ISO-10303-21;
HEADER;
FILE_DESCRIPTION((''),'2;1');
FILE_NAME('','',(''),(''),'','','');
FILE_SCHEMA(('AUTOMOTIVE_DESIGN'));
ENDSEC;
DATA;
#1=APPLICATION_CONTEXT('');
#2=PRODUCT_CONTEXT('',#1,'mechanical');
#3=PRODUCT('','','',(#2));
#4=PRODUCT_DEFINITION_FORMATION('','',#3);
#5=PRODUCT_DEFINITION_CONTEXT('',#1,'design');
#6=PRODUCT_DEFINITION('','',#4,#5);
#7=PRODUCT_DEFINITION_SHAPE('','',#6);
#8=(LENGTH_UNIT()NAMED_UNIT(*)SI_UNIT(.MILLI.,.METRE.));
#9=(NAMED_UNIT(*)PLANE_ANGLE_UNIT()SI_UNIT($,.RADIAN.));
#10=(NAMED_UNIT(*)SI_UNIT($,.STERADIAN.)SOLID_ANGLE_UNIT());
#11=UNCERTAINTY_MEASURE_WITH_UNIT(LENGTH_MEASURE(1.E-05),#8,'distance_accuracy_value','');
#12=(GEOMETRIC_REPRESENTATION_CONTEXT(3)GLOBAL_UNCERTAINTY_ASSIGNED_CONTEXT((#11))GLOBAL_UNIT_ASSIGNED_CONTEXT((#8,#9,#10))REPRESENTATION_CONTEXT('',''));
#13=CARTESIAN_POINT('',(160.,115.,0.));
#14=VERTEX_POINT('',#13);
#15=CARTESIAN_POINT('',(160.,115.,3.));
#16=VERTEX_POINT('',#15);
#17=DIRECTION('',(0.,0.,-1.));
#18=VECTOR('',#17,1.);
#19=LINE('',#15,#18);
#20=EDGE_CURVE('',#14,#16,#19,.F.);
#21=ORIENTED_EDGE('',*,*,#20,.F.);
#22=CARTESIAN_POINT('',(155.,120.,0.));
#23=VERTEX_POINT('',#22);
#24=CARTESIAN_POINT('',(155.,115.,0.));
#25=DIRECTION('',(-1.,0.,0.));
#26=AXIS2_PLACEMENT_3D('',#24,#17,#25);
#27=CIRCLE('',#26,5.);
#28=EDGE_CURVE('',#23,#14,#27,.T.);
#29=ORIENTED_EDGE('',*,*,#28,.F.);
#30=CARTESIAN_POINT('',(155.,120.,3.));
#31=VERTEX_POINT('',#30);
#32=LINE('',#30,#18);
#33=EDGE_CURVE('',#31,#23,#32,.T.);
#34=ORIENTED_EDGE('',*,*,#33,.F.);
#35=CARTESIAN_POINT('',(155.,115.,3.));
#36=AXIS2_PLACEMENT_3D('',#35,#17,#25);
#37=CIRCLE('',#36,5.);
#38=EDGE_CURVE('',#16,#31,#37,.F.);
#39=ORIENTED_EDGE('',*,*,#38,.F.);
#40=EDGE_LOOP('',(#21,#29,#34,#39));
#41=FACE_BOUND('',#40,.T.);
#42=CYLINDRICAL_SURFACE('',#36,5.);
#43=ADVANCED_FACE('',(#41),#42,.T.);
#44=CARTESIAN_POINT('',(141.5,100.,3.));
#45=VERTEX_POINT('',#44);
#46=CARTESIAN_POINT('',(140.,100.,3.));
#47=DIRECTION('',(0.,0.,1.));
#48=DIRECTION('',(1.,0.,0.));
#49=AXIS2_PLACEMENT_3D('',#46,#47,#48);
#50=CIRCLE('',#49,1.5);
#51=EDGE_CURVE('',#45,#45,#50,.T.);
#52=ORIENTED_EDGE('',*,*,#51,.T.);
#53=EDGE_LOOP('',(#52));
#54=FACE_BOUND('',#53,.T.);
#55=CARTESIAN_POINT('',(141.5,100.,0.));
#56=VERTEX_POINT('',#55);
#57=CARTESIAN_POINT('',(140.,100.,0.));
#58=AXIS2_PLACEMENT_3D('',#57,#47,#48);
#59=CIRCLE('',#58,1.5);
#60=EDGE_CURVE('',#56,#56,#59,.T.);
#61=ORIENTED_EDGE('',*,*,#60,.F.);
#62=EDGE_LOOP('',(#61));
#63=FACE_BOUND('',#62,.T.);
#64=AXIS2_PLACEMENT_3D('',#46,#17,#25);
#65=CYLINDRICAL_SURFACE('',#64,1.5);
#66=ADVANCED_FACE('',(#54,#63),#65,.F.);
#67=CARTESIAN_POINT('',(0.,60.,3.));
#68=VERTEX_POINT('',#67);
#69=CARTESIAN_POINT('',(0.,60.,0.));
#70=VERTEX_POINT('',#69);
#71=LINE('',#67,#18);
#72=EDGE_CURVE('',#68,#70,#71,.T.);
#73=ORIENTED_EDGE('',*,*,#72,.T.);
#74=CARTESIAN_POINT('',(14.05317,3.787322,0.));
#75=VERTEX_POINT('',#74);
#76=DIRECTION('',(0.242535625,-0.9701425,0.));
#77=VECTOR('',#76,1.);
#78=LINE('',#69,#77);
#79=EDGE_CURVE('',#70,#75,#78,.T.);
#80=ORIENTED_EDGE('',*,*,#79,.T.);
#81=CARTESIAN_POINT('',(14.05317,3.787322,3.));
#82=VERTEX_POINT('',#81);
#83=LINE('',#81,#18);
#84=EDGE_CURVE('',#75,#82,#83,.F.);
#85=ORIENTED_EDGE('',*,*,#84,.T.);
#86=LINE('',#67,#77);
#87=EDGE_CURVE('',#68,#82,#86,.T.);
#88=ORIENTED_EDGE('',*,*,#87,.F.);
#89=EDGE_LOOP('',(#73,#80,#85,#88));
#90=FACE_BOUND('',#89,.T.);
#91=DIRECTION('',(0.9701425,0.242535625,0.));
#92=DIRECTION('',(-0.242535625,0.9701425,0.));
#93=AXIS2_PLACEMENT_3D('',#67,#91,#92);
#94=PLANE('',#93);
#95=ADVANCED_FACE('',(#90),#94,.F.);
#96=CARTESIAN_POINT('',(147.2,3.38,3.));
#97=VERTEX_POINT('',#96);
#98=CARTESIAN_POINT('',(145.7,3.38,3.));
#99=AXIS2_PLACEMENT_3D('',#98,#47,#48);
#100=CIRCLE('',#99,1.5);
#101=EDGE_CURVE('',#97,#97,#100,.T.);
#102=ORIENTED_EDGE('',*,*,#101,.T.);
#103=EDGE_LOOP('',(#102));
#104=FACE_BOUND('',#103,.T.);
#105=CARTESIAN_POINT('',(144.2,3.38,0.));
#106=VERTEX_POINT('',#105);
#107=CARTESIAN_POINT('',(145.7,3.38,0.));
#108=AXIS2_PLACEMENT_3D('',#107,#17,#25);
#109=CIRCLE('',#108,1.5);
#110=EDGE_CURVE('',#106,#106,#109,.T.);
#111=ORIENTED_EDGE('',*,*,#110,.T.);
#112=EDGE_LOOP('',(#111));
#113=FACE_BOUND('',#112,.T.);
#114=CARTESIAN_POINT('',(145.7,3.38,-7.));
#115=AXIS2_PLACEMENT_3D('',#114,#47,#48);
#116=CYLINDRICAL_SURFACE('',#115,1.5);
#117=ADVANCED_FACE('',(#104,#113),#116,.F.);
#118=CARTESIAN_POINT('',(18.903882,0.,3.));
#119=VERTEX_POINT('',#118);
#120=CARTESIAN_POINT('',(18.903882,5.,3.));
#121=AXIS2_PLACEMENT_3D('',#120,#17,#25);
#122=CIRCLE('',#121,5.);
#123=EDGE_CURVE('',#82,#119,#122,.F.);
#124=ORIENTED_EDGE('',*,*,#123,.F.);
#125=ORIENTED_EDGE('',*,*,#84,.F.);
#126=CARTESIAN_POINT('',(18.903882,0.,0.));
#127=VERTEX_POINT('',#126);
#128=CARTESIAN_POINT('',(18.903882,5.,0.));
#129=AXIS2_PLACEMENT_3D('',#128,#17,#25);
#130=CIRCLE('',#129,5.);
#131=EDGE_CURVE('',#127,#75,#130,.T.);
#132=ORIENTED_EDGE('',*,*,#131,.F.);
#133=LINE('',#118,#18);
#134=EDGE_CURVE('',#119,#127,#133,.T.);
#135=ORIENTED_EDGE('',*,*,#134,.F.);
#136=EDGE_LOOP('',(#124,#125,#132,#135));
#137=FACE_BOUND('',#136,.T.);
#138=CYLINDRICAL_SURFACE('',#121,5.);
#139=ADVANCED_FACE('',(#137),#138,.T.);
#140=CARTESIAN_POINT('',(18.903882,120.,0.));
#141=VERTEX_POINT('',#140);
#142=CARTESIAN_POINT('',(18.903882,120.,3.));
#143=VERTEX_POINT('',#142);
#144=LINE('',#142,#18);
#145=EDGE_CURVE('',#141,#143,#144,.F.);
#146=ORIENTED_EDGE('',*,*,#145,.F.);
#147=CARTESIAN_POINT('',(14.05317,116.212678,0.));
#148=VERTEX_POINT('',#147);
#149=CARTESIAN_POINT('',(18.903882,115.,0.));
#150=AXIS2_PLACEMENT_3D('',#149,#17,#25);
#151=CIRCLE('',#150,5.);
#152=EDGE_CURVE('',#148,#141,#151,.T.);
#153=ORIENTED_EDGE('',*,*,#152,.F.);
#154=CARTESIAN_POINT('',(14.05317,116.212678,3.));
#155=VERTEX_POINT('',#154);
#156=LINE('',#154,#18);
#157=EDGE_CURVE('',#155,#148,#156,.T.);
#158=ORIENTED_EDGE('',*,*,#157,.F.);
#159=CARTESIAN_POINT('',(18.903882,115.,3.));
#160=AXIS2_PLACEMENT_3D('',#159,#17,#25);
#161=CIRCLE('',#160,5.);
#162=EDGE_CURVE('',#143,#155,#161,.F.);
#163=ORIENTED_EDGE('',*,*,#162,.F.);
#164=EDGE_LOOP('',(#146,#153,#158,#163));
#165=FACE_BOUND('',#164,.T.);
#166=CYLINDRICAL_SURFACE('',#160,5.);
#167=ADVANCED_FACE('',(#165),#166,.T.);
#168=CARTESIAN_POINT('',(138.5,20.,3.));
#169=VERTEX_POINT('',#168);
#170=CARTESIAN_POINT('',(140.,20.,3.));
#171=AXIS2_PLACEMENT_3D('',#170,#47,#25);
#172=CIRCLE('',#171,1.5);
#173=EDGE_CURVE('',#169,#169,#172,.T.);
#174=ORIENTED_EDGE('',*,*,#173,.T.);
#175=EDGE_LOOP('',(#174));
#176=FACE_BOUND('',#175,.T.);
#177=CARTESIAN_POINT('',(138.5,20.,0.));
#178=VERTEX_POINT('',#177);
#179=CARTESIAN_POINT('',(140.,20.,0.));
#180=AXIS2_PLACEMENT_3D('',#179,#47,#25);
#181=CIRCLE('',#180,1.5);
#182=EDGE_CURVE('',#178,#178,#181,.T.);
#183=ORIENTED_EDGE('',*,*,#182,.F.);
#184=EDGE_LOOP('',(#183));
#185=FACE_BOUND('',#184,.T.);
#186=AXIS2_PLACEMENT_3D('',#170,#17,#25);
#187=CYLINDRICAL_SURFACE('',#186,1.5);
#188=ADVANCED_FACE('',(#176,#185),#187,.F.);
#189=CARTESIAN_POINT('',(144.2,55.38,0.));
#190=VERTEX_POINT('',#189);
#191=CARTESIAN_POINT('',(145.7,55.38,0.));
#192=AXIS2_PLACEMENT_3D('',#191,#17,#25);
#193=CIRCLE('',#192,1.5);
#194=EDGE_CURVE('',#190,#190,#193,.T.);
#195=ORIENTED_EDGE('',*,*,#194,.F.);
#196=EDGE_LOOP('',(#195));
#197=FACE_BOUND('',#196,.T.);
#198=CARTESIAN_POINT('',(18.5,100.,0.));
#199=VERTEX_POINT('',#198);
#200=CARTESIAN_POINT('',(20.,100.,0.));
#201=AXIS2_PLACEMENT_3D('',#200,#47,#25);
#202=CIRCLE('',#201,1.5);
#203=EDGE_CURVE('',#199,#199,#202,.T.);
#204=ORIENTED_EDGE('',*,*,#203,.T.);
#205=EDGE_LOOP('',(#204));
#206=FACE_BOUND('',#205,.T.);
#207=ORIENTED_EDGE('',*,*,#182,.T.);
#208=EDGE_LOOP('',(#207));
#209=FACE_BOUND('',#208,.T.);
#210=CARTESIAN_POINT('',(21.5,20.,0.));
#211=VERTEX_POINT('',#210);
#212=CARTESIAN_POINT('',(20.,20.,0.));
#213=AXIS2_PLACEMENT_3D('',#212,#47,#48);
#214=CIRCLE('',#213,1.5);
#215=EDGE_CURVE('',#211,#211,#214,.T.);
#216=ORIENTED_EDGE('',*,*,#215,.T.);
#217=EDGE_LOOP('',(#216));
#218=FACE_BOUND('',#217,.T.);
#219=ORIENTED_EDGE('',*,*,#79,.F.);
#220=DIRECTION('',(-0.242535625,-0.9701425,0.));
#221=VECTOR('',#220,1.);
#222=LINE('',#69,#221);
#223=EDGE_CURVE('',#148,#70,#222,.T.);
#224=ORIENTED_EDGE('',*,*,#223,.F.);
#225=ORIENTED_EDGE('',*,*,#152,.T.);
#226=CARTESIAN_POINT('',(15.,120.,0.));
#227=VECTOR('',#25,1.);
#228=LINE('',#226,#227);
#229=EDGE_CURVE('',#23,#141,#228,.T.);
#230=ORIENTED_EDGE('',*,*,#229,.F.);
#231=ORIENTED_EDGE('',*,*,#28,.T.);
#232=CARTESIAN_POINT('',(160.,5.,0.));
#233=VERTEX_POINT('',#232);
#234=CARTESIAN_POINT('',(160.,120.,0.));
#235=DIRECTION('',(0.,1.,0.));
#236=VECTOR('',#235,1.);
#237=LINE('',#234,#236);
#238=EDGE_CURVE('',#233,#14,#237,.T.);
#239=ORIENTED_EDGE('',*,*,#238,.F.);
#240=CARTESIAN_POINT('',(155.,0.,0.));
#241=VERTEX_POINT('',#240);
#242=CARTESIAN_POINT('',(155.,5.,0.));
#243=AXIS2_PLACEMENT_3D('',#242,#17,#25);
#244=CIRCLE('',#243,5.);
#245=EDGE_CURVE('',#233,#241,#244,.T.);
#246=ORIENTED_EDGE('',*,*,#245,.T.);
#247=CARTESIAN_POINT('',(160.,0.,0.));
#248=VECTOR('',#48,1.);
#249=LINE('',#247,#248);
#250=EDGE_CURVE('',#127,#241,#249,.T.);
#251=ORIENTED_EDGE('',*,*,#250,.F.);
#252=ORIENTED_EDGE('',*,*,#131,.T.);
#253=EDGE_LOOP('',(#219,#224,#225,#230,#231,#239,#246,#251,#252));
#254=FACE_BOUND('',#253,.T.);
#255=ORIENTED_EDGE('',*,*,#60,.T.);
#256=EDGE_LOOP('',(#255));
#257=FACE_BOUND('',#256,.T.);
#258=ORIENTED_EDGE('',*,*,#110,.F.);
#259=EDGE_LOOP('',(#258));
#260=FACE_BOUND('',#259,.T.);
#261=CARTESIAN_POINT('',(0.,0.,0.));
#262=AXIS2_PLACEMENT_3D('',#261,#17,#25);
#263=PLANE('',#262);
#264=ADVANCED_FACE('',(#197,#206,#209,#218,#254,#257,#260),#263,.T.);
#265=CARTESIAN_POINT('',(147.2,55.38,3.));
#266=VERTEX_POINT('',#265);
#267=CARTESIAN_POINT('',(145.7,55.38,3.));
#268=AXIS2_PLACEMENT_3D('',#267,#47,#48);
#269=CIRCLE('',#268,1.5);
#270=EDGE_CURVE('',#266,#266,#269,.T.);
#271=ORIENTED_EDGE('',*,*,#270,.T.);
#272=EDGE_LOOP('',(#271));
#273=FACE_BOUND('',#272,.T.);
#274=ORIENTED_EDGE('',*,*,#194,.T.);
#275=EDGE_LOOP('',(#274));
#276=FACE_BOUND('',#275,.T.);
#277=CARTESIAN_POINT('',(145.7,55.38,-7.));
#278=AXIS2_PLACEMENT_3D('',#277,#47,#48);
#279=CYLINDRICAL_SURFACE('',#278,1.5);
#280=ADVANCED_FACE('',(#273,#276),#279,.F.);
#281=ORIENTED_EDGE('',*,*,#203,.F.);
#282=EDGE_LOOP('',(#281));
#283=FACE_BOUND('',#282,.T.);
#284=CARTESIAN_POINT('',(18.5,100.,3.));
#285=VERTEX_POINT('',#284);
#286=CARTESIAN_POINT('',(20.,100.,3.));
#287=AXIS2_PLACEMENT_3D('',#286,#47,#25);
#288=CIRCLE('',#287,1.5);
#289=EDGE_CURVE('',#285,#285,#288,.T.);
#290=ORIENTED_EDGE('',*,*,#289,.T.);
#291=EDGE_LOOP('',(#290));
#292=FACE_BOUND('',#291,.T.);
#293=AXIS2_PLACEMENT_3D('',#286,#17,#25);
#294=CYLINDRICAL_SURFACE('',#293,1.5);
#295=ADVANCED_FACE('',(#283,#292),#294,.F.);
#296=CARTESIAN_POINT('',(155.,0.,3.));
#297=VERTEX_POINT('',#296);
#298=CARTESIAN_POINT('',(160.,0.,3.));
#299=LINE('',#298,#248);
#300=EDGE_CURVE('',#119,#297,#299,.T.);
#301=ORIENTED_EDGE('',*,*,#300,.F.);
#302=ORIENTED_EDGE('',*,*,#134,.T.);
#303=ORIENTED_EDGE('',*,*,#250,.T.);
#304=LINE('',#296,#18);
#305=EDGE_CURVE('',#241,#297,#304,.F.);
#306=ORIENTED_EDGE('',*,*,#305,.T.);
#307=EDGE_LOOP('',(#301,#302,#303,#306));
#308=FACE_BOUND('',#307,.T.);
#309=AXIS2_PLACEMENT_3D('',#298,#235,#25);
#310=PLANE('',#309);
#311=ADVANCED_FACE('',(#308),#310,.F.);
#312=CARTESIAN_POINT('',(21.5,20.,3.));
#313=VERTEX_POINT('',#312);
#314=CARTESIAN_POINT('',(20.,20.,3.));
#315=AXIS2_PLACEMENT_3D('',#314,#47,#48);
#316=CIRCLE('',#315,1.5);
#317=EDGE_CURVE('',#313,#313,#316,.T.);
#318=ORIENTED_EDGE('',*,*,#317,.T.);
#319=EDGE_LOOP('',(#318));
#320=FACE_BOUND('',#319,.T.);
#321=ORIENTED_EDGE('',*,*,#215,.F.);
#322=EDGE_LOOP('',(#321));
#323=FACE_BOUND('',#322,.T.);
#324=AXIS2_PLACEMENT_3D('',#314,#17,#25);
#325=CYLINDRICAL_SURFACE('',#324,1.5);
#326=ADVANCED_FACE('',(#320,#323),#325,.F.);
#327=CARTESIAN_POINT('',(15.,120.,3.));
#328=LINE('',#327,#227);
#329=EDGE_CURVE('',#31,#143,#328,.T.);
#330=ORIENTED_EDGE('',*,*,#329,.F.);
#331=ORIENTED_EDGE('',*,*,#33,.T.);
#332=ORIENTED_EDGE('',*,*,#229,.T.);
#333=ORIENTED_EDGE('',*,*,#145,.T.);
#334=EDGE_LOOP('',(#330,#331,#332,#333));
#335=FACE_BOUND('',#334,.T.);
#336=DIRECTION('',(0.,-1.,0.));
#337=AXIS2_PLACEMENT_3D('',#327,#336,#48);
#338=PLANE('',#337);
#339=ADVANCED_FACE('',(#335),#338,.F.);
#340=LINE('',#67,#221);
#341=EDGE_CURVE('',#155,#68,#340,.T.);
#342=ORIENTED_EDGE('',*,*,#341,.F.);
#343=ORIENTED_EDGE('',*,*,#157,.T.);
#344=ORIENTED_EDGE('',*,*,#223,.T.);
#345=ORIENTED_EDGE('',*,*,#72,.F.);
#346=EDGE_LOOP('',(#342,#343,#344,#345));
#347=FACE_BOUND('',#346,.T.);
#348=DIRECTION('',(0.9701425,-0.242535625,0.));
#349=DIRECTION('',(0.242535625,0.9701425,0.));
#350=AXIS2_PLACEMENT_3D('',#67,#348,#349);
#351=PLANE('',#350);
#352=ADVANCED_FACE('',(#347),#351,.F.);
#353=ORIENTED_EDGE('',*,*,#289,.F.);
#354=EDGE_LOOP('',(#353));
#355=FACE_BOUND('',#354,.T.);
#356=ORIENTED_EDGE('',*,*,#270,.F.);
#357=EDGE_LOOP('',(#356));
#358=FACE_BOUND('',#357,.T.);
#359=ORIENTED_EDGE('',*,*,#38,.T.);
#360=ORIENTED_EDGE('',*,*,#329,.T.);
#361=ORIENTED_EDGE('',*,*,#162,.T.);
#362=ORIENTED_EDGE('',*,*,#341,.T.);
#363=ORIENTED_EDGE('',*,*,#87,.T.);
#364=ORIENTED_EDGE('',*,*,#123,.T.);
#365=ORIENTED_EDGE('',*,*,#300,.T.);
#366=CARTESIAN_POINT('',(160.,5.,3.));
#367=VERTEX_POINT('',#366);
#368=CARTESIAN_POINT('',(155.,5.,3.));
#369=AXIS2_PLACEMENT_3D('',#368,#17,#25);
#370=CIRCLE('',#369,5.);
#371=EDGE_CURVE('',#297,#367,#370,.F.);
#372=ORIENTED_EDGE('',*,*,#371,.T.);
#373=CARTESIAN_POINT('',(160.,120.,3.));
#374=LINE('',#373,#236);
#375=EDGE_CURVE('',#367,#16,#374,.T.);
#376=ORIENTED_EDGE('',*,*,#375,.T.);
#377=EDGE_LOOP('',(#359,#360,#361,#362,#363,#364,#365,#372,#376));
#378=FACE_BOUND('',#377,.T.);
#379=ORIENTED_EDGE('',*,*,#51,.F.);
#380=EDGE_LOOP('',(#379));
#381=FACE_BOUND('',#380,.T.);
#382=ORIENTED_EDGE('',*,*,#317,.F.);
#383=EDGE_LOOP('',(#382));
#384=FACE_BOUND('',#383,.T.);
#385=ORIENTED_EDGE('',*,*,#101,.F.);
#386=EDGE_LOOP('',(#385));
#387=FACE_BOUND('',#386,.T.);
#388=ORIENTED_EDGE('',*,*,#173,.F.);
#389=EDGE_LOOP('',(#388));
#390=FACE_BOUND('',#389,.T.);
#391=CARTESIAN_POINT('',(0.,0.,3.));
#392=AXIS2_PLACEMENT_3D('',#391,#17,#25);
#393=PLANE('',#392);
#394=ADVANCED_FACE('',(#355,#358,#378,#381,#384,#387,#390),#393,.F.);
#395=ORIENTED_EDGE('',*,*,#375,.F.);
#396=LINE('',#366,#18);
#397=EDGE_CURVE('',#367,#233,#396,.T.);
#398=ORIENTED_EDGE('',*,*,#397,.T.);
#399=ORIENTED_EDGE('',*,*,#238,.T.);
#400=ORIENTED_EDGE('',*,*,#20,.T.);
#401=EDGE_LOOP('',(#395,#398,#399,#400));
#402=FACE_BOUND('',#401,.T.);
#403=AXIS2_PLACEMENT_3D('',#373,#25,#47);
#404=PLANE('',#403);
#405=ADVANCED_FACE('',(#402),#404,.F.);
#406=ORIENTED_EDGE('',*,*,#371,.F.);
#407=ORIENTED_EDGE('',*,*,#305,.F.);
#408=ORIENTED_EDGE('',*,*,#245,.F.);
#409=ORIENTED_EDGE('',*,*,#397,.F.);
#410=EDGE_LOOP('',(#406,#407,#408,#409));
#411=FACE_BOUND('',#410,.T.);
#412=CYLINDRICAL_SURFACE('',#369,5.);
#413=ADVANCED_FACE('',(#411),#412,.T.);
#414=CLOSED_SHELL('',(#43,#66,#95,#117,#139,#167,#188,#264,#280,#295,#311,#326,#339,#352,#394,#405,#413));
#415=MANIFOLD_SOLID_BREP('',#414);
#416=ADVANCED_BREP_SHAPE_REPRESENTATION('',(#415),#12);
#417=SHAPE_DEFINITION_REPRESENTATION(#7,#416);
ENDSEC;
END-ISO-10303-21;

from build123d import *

# Parameters (mm, degrees)
SKETCH_1_R          = 1.5
EXTRUDE_1_DEPTH     = 3
FILLET_1_R          = 5
SKETCH_2_R          = 1.5
CUT_EXTRUDE_1_DEPTH = 10


with BuildPart() as part:
    # 草圖1 → 填料-伸長1 (new body)
    with BuildSketch(Plane.XY):
        Polygon((15, 120), (160, 120), (160, 0), (15, 0), (0, 60), align=None)
        with Locations((20, 20)):
            Circle(SKETCH_1_R, mode=Mode.SUBTRACT)
        with Locations((20, 100)):
            Circle(SKETCH_1_R, mode=Mode.SUBTRACT)
        with Locations((140, 20)):
            Circle(SKETCH_1_R, mode=Mode.SUBTRACT)
        with Locations((140, 100)):
            Circle(SKETCH_1_R, mode=Mode.SUBTRACT)
    extrude(amount=EXTRUDE_1_DEPTH)

    # 圓角1
    fillet_1_edges = [part.edges().sort_by_distance(p)[0] for p in [
        (160, 0, 1.5),
        (15, 0, 1.5),
        (15, 120, 1.5),
        (160, 120, 1.5),
    ]]
    fillet(fillet_1_edges, radius=FILLET_1_R)

    # 草圖2 → 除料-伸長1 (cut)
    with BuildSketch(Plane.XY.offset(3)):
        with Locations((145.7, 3.38)):
            Circle(SKETCH_2_R)
        with Locations((145.7, 55.38)):
            Circle(SKETCH_2_R)
    extrude(amount=-CUT_EXTRUDE_1_DEPTH, mode=Mode.SUBTRACT)


solid = part.part
